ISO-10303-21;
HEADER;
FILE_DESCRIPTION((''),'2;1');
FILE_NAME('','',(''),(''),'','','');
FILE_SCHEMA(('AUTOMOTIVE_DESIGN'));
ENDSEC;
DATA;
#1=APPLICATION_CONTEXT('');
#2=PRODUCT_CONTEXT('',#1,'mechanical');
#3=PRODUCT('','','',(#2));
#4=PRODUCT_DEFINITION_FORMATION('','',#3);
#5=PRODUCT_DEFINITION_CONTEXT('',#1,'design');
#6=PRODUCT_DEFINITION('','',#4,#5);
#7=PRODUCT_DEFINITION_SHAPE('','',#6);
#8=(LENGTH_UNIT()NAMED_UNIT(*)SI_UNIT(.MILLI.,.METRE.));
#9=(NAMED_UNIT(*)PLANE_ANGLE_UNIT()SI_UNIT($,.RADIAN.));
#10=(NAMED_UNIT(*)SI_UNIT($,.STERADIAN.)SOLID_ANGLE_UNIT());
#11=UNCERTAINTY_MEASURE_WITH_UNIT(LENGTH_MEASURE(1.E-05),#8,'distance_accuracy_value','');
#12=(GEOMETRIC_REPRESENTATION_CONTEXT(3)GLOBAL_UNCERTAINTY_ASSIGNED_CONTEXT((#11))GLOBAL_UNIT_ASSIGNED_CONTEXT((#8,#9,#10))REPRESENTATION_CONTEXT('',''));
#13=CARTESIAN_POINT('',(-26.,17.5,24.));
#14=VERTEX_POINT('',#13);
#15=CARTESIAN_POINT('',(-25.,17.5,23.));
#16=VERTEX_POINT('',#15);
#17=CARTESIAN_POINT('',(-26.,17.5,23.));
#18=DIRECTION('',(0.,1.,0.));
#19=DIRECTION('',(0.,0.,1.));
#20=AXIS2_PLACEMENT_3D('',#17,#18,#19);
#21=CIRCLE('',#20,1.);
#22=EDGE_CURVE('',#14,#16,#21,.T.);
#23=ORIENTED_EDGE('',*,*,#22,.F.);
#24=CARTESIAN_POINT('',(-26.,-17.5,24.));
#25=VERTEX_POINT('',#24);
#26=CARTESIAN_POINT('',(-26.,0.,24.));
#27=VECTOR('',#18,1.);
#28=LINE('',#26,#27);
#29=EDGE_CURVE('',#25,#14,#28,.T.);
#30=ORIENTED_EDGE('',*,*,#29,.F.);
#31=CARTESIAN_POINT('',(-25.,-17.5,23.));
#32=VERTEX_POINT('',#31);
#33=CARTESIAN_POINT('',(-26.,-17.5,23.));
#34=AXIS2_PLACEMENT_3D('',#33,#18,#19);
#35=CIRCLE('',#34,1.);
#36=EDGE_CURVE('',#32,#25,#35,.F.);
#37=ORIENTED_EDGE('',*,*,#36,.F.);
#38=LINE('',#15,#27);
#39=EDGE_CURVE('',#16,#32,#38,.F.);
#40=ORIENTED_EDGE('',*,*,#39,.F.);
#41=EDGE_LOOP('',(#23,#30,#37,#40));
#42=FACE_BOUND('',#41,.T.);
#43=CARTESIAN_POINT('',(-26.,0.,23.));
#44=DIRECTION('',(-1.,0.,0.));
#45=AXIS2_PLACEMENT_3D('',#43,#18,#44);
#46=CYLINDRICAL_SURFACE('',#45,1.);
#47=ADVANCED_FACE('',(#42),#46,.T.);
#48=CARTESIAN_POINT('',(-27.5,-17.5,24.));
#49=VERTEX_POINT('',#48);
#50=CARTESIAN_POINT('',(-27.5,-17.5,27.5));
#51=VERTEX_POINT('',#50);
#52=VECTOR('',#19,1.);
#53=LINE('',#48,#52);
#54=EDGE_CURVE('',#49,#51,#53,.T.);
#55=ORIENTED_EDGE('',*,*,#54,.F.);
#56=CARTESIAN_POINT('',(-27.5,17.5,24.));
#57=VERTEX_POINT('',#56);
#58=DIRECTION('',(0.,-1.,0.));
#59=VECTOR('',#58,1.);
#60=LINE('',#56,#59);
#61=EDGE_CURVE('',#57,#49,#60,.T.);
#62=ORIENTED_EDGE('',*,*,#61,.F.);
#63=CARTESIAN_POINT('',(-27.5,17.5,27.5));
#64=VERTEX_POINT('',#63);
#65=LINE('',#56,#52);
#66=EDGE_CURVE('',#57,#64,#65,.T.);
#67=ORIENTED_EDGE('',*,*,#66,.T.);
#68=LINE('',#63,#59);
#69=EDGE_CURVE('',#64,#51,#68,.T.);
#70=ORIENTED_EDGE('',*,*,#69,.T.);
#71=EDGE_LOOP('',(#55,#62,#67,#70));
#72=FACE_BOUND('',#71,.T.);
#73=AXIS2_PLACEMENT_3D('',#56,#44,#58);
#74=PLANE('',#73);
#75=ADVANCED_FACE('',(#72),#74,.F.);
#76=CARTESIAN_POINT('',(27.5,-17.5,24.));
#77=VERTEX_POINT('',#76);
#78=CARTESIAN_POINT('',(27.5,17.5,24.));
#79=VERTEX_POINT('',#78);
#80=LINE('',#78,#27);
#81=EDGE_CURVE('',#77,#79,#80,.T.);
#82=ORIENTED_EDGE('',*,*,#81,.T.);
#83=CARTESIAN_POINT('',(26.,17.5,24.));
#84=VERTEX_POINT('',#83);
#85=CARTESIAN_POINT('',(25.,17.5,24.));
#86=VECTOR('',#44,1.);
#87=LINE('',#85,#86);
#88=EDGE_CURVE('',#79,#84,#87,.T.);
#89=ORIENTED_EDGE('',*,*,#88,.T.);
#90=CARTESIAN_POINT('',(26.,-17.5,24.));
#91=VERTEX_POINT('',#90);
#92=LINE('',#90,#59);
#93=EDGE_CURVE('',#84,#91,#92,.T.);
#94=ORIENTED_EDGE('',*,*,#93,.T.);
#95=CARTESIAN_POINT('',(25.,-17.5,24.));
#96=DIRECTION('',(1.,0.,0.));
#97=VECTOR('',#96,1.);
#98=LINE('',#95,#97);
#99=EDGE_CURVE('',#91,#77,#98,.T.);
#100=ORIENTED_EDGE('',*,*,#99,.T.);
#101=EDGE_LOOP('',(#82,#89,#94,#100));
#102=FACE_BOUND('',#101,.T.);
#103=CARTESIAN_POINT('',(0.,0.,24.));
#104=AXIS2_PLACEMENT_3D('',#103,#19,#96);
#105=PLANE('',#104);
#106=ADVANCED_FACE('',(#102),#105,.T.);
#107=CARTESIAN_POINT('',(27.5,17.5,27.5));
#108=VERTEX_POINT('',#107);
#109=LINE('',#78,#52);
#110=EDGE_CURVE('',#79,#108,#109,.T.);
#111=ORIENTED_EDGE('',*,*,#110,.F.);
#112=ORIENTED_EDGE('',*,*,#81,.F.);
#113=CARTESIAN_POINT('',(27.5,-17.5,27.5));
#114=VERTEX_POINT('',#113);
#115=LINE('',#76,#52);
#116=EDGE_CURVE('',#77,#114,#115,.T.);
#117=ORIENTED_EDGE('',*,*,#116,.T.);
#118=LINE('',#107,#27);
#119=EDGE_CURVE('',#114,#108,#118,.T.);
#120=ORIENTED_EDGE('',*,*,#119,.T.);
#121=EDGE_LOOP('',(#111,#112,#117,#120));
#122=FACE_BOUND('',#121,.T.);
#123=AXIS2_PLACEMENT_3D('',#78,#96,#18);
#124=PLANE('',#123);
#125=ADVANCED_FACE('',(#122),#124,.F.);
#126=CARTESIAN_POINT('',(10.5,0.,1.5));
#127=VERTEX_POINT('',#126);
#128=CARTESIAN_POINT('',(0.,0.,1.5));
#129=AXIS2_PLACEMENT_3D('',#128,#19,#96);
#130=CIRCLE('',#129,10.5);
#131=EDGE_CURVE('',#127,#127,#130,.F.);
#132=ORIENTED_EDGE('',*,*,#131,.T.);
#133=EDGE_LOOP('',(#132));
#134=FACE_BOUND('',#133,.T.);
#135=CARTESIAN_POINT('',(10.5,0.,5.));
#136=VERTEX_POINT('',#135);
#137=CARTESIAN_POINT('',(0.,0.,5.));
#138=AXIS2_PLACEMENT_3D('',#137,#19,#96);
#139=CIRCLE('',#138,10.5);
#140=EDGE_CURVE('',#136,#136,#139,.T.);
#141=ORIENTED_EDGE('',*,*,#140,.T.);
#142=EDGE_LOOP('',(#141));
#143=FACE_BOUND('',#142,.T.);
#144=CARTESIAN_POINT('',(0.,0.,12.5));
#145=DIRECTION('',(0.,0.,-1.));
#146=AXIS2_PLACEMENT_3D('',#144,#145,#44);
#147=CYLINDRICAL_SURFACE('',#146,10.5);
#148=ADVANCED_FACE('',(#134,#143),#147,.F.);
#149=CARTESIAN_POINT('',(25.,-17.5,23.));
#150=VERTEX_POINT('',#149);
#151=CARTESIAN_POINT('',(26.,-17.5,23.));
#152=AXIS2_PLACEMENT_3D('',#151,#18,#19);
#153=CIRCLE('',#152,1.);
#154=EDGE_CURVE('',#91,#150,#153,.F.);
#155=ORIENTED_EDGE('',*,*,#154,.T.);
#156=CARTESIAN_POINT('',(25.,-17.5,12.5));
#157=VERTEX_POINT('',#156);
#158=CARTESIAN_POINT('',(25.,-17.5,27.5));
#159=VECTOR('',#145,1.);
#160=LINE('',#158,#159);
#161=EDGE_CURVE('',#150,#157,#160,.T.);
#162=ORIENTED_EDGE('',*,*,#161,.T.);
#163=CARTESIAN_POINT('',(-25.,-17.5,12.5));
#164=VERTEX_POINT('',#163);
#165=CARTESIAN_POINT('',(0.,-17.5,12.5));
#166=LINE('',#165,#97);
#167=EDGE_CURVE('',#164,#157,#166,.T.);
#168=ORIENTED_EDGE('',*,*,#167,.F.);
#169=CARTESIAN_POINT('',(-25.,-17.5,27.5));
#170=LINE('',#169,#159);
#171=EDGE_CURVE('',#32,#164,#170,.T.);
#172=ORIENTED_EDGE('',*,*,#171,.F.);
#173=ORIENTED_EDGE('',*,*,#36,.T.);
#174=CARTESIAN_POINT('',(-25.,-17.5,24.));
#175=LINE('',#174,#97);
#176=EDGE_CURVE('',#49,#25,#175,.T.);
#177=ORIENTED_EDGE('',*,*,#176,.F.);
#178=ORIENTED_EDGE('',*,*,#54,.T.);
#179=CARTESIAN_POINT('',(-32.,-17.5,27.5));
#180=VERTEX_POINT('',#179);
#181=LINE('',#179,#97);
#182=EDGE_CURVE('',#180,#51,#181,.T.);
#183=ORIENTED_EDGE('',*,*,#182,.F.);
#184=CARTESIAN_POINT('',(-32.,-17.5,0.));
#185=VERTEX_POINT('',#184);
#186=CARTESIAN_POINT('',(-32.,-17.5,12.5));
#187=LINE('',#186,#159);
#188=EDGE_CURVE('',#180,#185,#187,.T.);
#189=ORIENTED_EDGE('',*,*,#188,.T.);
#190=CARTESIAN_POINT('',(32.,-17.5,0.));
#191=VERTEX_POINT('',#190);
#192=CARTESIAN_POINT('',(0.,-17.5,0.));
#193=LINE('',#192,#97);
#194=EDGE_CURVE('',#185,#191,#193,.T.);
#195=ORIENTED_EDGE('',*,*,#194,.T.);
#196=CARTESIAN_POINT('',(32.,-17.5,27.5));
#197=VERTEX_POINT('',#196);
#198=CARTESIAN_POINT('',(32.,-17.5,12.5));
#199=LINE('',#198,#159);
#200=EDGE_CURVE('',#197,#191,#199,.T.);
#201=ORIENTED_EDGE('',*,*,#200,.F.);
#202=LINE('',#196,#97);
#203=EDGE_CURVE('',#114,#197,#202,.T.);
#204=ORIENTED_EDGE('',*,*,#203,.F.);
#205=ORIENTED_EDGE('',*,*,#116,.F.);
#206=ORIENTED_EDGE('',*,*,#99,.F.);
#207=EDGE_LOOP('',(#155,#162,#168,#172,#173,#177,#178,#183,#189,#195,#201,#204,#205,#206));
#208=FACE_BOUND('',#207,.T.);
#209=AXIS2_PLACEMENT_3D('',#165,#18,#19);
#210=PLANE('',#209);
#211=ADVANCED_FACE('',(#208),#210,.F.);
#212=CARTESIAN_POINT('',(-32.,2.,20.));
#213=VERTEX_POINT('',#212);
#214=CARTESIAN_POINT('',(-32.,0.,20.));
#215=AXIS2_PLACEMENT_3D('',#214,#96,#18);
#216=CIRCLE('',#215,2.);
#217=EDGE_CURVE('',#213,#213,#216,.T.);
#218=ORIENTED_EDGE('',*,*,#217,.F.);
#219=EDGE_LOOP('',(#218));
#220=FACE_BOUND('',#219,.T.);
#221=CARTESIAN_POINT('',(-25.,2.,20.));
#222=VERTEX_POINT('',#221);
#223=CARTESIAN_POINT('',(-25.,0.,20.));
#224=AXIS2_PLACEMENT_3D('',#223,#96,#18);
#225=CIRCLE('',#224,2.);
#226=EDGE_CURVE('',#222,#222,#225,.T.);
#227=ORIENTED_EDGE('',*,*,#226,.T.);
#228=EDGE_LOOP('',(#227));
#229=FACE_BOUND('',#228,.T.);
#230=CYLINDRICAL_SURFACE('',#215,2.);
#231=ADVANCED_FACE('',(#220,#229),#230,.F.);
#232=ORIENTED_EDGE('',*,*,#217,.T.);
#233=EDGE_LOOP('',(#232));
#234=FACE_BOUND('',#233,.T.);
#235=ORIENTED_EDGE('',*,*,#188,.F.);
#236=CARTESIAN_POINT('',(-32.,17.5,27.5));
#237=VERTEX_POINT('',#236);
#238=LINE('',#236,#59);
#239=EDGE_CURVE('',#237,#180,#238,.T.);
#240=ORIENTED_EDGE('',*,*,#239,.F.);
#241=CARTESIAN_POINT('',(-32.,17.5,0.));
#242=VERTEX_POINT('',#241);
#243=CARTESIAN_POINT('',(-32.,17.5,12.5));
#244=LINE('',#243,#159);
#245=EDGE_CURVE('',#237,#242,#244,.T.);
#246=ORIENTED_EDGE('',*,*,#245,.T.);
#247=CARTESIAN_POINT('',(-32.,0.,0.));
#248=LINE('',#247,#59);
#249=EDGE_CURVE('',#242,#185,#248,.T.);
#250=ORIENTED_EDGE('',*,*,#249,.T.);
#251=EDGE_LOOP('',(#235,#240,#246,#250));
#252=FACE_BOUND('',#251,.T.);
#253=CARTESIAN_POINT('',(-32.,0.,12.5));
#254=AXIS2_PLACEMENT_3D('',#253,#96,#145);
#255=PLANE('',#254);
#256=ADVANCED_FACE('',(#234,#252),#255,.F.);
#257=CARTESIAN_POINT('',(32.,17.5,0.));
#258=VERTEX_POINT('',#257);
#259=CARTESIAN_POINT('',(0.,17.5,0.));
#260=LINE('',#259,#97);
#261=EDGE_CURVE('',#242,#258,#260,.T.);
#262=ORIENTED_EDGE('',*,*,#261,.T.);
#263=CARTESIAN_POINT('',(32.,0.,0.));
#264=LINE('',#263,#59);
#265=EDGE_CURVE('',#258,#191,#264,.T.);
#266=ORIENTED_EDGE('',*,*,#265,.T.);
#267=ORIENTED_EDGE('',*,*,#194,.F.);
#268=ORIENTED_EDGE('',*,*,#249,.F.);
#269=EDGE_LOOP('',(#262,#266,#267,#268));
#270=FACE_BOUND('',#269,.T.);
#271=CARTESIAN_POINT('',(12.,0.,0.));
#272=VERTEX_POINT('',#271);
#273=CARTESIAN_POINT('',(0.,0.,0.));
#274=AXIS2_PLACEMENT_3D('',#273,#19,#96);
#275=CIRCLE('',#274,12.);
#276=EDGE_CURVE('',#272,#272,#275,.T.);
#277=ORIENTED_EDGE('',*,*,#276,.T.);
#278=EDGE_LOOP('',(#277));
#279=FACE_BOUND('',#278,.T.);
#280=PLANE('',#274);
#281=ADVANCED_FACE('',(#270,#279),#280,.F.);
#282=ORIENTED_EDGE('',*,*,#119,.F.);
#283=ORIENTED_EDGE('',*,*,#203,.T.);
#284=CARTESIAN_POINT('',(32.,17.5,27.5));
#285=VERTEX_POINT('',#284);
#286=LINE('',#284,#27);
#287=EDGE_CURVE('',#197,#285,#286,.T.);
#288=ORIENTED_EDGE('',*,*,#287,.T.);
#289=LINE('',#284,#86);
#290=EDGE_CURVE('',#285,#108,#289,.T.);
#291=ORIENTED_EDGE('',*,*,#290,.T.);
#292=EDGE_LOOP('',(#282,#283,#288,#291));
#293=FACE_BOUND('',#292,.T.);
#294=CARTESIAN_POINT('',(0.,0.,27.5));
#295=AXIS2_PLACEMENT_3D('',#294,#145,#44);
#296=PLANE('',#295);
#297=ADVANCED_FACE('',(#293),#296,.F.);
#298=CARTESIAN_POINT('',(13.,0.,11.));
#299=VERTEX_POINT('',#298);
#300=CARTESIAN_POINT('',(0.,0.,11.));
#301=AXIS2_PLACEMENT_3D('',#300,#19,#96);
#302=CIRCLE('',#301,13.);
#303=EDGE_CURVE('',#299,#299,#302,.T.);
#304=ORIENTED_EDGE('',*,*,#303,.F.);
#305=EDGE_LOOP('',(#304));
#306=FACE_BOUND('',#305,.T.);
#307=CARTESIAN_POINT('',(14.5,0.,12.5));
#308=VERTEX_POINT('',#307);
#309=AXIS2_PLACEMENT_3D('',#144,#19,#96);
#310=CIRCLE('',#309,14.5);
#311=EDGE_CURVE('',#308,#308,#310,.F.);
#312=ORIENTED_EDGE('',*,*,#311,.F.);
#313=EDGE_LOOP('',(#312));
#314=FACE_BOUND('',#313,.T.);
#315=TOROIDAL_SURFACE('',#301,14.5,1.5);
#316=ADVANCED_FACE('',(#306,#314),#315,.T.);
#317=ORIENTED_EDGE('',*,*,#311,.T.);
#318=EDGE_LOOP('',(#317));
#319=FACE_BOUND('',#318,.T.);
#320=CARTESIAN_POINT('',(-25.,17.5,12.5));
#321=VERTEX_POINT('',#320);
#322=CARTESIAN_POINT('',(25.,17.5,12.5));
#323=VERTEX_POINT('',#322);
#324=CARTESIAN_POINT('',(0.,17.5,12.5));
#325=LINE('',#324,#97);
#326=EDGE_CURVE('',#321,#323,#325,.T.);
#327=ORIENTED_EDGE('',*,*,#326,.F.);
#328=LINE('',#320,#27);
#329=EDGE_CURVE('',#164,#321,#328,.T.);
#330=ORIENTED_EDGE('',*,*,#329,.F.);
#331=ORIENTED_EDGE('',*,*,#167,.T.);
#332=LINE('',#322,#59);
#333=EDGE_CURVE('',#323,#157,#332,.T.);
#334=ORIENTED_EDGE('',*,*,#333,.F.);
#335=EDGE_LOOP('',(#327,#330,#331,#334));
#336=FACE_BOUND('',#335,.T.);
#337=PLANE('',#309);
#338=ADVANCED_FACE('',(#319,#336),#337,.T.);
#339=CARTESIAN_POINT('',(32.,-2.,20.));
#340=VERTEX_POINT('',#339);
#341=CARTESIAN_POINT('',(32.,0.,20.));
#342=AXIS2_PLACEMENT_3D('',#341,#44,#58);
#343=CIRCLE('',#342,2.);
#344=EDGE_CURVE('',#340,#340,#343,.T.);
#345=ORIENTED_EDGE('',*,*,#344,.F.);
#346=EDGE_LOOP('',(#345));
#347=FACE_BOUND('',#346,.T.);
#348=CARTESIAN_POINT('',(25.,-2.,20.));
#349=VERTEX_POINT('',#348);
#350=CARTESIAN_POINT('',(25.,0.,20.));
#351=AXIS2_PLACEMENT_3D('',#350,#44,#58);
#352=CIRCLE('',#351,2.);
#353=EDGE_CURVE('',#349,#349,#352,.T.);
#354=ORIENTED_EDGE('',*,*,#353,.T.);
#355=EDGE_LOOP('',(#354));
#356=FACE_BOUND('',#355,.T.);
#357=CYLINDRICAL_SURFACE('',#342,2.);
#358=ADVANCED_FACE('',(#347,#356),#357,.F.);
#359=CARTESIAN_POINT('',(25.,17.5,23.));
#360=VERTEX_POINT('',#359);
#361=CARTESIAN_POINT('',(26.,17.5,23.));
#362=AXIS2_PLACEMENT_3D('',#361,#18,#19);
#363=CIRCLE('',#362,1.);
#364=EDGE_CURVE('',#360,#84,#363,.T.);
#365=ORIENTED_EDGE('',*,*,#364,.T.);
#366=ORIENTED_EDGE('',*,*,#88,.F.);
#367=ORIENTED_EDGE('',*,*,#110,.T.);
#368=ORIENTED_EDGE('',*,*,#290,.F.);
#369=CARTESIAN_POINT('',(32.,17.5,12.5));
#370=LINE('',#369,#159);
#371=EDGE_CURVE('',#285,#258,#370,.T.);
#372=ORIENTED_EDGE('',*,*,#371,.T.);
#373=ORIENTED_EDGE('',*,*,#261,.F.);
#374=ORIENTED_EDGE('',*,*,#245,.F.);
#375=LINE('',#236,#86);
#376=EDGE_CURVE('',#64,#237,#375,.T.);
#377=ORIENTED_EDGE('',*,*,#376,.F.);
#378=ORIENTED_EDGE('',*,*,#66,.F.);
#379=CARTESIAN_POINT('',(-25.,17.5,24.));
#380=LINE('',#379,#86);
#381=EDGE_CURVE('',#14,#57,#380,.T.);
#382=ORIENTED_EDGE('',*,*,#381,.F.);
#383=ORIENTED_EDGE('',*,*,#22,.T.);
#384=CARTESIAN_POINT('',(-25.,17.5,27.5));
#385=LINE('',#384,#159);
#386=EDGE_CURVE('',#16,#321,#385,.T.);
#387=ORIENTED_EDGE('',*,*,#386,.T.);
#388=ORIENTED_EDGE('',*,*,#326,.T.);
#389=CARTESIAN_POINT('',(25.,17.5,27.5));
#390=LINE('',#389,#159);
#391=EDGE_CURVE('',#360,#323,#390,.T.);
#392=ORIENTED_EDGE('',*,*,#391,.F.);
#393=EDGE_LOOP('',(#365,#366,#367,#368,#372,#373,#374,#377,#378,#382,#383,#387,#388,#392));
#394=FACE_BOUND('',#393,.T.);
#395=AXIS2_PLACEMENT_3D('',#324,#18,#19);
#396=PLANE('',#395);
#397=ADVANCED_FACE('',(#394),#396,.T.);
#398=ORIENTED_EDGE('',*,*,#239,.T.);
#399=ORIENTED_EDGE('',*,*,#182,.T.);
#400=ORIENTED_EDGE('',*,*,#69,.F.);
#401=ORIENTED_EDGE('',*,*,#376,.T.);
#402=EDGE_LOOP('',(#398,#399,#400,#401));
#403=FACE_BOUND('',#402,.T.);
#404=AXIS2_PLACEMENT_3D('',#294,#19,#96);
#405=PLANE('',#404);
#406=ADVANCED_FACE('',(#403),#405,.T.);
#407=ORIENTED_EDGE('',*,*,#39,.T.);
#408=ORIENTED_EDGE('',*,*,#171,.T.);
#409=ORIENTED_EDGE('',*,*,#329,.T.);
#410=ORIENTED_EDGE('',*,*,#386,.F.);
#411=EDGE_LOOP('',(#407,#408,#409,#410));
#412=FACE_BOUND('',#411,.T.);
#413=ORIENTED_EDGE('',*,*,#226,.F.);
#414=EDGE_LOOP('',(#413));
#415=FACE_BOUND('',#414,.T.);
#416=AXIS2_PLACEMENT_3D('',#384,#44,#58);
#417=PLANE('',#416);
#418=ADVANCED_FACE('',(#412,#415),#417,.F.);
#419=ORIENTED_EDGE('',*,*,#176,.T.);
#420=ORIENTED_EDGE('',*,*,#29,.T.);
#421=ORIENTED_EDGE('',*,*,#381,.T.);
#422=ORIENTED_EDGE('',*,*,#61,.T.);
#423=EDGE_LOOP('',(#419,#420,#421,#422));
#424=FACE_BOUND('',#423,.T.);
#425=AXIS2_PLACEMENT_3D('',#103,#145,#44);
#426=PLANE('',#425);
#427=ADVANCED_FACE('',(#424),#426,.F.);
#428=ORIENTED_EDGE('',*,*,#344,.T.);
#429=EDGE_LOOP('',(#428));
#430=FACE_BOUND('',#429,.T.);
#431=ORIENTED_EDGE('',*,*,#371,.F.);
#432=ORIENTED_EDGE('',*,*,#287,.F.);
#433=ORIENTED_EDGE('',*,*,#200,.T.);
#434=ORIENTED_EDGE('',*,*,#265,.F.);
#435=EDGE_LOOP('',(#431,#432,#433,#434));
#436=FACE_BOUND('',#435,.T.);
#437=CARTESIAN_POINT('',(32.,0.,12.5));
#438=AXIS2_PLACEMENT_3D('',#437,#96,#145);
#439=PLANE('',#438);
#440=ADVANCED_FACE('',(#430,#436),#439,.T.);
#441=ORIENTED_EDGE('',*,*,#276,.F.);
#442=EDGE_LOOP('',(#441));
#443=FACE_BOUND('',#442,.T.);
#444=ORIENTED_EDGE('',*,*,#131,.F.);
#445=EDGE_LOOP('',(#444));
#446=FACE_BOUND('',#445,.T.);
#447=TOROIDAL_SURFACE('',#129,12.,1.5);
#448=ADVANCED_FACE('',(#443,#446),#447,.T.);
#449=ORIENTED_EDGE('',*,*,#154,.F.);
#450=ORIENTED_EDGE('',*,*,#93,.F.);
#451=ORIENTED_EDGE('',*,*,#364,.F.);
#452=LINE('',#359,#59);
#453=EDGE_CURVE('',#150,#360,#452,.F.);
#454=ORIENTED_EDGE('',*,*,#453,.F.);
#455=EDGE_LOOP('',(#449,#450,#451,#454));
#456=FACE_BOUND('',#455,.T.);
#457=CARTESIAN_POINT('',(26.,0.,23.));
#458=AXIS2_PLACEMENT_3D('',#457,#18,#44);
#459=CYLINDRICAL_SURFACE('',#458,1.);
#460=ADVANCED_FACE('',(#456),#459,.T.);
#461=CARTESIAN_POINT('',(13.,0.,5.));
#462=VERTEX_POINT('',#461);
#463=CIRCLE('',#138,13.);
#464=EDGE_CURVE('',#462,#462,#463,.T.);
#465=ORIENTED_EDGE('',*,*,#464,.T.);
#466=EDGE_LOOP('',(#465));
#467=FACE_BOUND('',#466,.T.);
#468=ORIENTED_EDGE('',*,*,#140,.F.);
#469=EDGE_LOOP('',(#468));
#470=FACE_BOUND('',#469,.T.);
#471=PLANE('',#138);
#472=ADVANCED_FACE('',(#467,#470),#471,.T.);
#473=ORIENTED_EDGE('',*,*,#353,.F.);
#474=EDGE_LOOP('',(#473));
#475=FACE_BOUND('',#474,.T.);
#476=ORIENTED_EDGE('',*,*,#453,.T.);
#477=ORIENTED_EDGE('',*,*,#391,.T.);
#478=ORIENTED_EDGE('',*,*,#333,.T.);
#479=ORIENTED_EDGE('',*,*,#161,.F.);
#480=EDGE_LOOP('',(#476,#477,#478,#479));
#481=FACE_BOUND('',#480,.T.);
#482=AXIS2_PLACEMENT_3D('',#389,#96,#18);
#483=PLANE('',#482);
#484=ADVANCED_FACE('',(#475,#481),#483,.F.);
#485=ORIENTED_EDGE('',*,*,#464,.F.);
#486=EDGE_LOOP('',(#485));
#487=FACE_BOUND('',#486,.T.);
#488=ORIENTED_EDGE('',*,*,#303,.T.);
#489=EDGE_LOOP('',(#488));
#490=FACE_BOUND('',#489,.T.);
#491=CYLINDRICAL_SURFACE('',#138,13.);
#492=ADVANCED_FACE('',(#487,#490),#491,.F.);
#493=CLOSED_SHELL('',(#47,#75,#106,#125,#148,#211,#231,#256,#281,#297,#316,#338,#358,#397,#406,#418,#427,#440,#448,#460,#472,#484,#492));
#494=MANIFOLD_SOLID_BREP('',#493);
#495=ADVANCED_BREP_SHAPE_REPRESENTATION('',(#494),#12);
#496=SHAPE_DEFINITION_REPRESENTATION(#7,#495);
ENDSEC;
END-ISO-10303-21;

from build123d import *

# Parameters (mm, degrees)
DODANIE_WYCI_GNI_CIE1_DEPTH = 12.5
SZKIC3_R                    = 13
WYTNIJ_WYCI_GNI_CIE1_DEPTH  = 7.5
SZKIC4_W                    = 7
SZKIC4_H                    = 35
DODANIE_WYCI_GNI_CIE2_DEPTH = 15
SZKIC6_R                    = 2
WYTNIJ_WYCI_GNI_CIE2_DEPTH  = 7
WYTNIJ_WYCI_GNI_CIE3_START  = -7
SZKIC7_R                    = 2
WYTNIJ_WYCI_GNI_CIE3_DEPTH  = 7
ZAOKR_GLENIE2_R             = 1.5
ZAOKR_GLENIE3_R             = 1.5
SZKIC8_W                    = 2.5
SZKIC8_H                    = 35
WYTNIJ_WYCI_GNI_CIE4_DEPTH  = 3.5
ZAOKR_GLENIE4_R             = 1


with BuildPart() as part:
    # Szkic2 → Dodanie-wyciągnięcie1 (new body)
    with BuildSketch(Plane.XY):
        with BuildLine():
            ThreePointArc((0, -10.5), (-10.5, 0), (0, 10.5))
            Line((0, 10.5), (-32, 10.5))
            Line((-32, 10.5), (-32, -10.5))
            Line((-32, -10.5), (0, -10.5))
        make_face()
        with BuildLine():
            Line((32, 10.5), (0, 10.5))
            ThreePointArc((0, 10.5), (7.424621202, 7.424621202), (10.5, 0))
            ThreePointArc((10.5, 0), (7.424621202, -7.424621202), (0, -10.5))
            Line((0, -10.5), (32, -10.5))
            Line((32, -10.5), (32, 10.5))
        make_face()
        Polygon((0, 10.5), (32, 10.5), (32, 17.5), (-32, 17.5), (-32, 10.5), align=None)
        Polygon((32, -10.5), (32, -17.5), (-32, -17.5), (-32, -10.5), (0, -10.5), align=None)
    extrude(amount=DODANIE_WYCI_GNI_CIE1_DEPTH)

    # Szkic3 → Wytnij-wyciągnięcie1 (cut)
    with BuildSketch(Plane.XY.offset(12.5)):
        Circle(SZKIC3_R)
    extrude(amount=-WYTNIJ_WYCI_GNI_CIE1_DEPTH, mode=Mode.SUBTRACT)

    # Szkic4 → Dodanie-wyciągnięcie2 (add)
    with BuildSketch(Plane.XY.offset(12.5)):
        with Locations((-28.5, 0)):
            Rectangle(SZKIC4_W, SZKIC4_H)
        with Locations((28.5, 0)):
            Rectangle(SZKIC4_W, SZKIC4_H)
    extrude(amount=DODANIE_WYCI_GNI_CIE2_DEPTH)

    # Szkic6 → Wytnij-wyciągnięcie2 (cut)
    with BuildSketch(Plane.ZY.offset(-25)):
        with Locations(Location((20, 0, 0), (0, 0, 270))):
            Circle(SZKIC6_R)
    extrude(amount=-WYTNIJ_WYCI_GNI_CIE2_DEPTH, mode=Mode.SUBTRACT)

    # Szkic7 → Wytnij-wyciągnięcie3 (cut)
    with BuildSketch(Plane(origin=(-25, 0, 0), x_dir=(0, 0, -1), z_dir=(1, 0, 0)).offset(WYTNIJ_WYCI_GNI_CIE3_START)):
        with Locations(Location((-20, 0, 0), (0, 0, 270))):
            Circle(SZKIC7_R)
    extrude(amount=WYTNIJ_WYCI_GNI_CIE3_DEPTH, mode=Mode.SUBTRACT)

    # Zaokrąglenie2
    zaokr_glenie2_edges = [part.edges().sort_by_distance(p)[0] for p in [
        (-13, 0, 12.5),
    ]]
    fillet(zaokr_glenie2_edges, radius=ZAOKR_GLENIE2_R)

    # Zaokrąglenie3
    zaokr_glenie3_edges = [part.edges().sort_by_distance(p)[0] for p in [
        (0, 10.5, 0),
    ]]
    fillet(zaokr_glenie3_edges, radius=ZAOKR_GLENIE3_R)

    # Szkic8 → Wytnij-wyciągnięcie4 (cut)
    with BuildSketch(Plane.XY.offset(27.5)):
        with Locations((-26.25, 0)):
            Rectangle(SZKIC8_W, SZKIC8_H)
        with Locations((26.25, 0)):
            Rectangle(SZKIC8_W, SZKIC8_H)
    extrude(amount=-WYTNIJ_WYCI_GNI_CIE4_DEPTH, mode=Mode.SUBTRACT)

    # Zaokrąglenie4
    zaokr_glenie4_edges = [part.edges().sort_by_distance(p)[0] for p in [
        (-25, 0, 24),
        (25, 0, 24),
    ]]
    fillet(zaokr_glenie4_edges, radius=ZAOKR_GLENIE4_R)


solid = part.part
